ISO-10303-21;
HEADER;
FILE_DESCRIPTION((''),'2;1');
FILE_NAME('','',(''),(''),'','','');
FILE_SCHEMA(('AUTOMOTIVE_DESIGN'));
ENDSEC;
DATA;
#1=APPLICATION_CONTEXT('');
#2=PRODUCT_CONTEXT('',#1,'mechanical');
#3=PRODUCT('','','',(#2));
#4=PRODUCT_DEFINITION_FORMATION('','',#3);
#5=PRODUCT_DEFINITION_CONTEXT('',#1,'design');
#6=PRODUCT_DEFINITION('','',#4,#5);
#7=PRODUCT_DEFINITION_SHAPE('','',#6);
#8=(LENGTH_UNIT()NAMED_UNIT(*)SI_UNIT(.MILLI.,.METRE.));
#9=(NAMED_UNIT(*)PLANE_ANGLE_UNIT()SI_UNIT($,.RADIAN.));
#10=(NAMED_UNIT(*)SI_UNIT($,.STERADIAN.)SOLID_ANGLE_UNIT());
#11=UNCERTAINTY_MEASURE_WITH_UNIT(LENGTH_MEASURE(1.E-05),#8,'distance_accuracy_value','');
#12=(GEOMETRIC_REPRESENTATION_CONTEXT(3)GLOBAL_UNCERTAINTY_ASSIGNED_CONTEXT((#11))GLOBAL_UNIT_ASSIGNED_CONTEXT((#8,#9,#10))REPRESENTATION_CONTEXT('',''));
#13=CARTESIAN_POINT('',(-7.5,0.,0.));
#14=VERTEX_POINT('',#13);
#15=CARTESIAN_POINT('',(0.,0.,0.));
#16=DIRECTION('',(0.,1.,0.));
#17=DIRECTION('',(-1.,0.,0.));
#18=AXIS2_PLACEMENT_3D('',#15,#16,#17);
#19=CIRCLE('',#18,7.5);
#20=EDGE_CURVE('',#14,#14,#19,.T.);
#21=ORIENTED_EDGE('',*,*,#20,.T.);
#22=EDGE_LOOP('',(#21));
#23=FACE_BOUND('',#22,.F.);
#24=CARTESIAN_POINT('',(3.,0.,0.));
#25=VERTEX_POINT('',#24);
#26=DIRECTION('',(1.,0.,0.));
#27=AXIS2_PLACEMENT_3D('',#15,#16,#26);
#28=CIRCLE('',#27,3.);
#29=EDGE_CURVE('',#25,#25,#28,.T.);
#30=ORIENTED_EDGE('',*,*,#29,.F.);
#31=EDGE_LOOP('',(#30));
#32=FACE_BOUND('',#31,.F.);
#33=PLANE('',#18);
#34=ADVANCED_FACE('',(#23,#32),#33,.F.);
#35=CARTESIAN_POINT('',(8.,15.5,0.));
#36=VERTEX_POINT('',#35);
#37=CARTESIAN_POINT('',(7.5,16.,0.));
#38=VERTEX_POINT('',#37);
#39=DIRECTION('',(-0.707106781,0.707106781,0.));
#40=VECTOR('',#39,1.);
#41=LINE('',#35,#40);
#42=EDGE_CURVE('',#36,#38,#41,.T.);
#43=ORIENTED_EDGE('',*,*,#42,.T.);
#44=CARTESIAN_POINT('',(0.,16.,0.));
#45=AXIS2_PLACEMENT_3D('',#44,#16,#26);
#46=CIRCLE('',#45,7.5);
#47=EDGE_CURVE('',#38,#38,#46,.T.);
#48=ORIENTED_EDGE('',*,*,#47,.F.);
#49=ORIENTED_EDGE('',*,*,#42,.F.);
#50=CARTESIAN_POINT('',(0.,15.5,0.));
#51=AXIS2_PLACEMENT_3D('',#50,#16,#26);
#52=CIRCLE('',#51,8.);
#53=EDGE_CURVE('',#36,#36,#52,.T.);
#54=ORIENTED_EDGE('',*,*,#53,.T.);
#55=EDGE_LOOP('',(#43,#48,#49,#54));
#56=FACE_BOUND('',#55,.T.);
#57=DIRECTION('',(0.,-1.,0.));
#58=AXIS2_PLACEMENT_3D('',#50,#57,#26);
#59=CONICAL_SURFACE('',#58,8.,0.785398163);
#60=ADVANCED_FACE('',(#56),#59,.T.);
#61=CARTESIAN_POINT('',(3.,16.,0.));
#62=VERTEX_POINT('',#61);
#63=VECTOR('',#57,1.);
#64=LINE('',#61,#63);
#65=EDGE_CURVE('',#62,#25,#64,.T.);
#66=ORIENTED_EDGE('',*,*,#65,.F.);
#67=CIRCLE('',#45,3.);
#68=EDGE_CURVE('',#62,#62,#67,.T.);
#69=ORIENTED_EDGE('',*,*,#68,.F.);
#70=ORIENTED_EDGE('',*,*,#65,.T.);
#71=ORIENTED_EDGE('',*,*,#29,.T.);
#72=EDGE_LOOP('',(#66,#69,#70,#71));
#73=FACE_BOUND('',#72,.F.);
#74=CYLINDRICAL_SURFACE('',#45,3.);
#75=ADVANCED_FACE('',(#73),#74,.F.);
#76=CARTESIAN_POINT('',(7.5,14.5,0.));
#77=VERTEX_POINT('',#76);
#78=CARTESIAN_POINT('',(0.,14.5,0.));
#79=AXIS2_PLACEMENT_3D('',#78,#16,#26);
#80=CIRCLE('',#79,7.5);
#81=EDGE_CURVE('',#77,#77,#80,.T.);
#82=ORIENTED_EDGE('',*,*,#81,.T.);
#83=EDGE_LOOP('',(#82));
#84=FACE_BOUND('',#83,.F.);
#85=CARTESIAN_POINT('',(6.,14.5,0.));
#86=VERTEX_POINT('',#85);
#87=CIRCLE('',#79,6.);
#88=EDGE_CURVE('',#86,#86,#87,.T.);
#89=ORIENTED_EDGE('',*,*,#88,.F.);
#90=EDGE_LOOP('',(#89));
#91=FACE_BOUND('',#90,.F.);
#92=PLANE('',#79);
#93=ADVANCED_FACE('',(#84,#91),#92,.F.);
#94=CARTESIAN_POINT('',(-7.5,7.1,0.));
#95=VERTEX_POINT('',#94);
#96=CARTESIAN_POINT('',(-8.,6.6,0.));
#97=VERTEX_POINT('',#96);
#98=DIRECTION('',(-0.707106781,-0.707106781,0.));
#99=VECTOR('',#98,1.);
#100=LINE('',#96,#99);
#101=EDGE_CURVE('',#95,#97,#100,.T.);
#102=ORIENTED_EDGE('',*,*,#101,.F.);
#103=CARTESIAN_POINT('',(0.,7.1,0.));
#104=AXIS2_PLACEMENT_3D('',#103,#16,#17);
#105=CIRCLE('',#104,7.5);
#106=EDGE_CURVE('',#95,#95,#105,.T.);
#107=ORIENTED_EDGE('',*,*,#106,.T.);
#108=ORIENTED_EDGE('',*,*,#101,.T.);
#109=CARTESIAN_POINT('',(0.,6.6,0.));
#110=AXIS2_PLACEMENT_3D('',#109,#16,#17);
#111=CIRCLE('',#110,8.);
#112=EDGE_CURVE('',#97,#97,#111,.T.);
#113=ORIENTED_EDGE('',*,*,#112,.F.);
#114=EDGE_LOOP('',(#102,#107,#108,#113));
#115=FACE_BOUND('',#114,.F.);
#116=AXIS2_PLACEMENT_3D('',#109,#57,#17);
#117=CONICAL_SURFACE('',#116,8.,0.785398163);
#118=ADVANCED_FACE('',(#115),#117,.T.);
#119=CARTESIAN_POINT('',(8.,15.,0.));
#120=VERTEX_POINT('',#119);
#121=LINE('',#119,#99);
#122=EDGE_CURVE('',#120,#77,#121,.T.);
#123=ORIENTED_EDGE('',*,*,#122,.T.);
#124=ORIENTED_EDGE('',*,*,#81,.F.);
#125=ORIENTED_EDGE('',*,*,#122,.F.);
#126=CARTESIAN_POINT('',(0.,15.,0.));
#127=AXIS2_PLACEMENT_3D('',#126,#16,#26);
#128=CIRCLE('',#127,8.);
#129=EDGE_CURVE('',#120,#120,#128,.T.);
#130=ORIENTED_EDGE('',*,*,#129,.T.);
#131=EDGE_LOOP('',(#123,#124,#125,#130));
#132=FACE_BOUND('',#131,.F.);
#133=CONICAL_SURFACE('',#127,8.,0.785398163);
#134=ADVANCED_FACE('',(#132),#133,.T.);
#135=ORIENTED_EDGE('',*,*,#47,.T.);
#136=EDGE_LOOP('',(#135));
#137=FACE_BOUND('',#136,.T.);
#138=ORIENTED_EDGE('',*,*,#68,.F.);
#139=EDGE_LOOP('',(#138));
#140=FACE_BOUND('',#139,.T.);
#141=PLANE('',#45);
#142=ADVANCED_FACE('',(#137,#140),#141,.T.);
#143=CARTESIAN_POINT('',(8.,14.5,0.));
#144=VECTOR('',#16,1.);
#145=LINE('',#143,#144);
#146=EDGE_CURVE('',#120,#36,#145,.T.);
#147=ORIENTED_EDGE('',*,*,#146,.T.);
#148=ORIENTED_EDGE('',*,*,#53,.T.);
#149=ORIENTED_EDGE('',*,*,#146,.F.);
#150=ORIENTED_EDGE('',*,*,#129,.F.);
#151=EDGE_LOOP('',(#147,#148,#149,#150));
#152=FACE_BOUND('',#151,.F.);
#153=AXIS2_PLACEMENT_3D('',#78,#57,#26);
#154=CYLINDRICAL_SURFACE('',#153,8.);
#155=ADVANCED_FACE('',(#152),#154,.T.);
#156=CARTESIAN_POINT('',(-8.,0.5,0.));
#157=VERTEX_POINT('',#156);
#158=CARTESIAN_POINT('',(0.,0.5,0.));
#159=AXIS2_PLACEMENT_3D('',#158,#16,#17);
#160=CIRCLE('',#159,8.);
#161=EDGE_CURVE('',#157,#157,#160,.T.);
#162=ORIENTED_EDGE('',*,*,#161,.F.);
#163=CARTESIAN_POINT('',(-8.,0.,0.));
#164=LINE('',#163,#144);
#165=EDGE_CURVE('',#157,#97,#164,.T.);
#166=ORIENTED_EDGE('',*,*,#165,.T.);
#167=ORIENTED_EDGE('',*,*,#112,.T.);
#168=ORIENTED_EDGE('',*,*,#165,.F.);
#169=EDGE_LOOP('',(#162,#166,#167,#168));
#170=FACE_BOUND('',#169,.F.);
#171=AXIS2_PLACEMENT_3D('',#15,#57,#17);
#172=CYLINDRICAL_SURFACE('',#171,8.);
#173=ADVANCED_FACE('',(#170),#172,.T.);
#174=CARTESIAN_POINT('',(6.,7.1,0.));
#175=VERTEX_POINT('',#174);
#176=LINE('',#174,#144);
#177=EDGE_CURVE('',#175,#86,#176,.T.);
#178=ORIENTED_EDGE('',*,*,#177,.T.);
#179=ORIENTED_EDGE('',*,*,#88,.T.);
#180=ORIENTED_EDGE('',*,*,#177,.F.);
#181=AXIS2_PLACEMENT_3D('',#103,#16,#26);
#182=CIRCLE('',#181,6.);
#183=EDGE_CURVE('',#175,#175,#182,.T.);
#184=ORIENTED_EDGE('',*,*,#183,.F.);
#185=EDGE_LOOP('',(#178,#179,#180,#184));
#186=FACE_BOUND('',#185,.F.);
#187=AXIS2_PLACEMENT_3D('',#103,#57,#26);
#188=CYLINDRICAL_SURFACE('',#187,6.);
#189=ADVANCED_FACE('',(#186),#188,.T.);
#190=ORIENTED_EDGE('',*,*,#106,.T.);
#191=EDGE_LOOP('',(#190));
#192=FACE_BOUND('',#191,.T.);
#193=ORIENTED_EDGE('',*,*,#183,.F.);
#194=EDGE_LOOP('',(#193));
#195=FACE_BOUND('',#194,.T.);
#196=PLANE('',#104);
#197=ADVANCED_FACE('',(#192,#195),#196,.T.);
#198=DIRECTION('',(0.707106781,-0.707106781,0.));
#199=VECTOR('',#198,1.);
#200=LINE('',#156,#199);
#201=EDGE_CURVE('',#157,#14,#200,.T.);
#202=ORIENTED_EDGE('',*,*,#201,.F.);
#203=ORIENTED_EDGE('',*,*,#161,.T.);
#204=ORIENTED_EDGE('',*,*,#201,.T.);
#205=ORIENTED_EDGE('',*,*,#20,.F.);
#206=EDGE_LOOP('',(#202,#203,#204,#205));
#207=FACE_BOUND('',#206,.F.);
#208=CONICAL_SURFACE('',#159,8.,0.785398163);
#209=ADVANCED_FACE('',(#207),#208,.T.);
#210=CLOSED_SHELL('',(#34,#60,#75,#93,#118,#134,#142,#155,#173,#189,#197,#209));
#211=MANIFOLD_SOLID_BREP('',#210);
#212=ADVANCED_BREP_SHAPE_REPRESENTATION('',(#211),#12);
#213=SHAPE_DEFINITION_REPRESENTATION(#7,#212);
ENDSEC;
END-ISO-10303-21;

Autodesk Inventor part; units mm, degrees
ref_plane "YZ Plane" through (0, 0, 0) normal (1, 0, 0) x (0, 1, 0)
ref_plane "XZ Plane" through (0, 0, 0) normal (0, 1, 0) x (-1, 0, 0)
ref_plane "XY Plane" through (0, 0, 0) normal (0, 0, 1) x (1, 0, 0)
sketch "Sketch1" plane through (0, 0, 0) normal (0, 1, 0) x (-1, 0, 0)
  circle A0 centre (0, 0) radius 8
  dimension "d0" = 16
extrude "Extrusion1" add sketch "Sketch1" along normal blind 7.1
sketch "Sketch2" plane through (0, 7.1, 0) normal (0, 1, 0) x (1, 0, 0)
  circle A0 centre (0, 0) radius 6
  dimension "d3" = 12
extrude "Extrusion2" add sketch "Sketch2" along normal blind 7.4
sketch "Sketch3" plane through (0, 14.5, 0) normal (0, 1, 0) x (1, 0, 0)
  circle A0 centre (0, 0) radius 8 projected
extrude "Extrusion3" add sketch "Sketch3" along normal blind 1.5
chamfer "Chamfer1" distance 0.5 angle 45 4 edges at (-8, 16, 0) (-8, 14.5, 0) (8, 7.1, 0) (8, 0, 0)
sketch "Sketch4" plane through (0, 16, 0) normal (0, 1, 0) x (1, 0, 0)
  circle A0 centre (0, 0) radius 3
  dimension "d11" = 6
extrude "Extrusion4" cut sketch "Sketch4" against normal blind 16
properties part number "2GT_wheel"
